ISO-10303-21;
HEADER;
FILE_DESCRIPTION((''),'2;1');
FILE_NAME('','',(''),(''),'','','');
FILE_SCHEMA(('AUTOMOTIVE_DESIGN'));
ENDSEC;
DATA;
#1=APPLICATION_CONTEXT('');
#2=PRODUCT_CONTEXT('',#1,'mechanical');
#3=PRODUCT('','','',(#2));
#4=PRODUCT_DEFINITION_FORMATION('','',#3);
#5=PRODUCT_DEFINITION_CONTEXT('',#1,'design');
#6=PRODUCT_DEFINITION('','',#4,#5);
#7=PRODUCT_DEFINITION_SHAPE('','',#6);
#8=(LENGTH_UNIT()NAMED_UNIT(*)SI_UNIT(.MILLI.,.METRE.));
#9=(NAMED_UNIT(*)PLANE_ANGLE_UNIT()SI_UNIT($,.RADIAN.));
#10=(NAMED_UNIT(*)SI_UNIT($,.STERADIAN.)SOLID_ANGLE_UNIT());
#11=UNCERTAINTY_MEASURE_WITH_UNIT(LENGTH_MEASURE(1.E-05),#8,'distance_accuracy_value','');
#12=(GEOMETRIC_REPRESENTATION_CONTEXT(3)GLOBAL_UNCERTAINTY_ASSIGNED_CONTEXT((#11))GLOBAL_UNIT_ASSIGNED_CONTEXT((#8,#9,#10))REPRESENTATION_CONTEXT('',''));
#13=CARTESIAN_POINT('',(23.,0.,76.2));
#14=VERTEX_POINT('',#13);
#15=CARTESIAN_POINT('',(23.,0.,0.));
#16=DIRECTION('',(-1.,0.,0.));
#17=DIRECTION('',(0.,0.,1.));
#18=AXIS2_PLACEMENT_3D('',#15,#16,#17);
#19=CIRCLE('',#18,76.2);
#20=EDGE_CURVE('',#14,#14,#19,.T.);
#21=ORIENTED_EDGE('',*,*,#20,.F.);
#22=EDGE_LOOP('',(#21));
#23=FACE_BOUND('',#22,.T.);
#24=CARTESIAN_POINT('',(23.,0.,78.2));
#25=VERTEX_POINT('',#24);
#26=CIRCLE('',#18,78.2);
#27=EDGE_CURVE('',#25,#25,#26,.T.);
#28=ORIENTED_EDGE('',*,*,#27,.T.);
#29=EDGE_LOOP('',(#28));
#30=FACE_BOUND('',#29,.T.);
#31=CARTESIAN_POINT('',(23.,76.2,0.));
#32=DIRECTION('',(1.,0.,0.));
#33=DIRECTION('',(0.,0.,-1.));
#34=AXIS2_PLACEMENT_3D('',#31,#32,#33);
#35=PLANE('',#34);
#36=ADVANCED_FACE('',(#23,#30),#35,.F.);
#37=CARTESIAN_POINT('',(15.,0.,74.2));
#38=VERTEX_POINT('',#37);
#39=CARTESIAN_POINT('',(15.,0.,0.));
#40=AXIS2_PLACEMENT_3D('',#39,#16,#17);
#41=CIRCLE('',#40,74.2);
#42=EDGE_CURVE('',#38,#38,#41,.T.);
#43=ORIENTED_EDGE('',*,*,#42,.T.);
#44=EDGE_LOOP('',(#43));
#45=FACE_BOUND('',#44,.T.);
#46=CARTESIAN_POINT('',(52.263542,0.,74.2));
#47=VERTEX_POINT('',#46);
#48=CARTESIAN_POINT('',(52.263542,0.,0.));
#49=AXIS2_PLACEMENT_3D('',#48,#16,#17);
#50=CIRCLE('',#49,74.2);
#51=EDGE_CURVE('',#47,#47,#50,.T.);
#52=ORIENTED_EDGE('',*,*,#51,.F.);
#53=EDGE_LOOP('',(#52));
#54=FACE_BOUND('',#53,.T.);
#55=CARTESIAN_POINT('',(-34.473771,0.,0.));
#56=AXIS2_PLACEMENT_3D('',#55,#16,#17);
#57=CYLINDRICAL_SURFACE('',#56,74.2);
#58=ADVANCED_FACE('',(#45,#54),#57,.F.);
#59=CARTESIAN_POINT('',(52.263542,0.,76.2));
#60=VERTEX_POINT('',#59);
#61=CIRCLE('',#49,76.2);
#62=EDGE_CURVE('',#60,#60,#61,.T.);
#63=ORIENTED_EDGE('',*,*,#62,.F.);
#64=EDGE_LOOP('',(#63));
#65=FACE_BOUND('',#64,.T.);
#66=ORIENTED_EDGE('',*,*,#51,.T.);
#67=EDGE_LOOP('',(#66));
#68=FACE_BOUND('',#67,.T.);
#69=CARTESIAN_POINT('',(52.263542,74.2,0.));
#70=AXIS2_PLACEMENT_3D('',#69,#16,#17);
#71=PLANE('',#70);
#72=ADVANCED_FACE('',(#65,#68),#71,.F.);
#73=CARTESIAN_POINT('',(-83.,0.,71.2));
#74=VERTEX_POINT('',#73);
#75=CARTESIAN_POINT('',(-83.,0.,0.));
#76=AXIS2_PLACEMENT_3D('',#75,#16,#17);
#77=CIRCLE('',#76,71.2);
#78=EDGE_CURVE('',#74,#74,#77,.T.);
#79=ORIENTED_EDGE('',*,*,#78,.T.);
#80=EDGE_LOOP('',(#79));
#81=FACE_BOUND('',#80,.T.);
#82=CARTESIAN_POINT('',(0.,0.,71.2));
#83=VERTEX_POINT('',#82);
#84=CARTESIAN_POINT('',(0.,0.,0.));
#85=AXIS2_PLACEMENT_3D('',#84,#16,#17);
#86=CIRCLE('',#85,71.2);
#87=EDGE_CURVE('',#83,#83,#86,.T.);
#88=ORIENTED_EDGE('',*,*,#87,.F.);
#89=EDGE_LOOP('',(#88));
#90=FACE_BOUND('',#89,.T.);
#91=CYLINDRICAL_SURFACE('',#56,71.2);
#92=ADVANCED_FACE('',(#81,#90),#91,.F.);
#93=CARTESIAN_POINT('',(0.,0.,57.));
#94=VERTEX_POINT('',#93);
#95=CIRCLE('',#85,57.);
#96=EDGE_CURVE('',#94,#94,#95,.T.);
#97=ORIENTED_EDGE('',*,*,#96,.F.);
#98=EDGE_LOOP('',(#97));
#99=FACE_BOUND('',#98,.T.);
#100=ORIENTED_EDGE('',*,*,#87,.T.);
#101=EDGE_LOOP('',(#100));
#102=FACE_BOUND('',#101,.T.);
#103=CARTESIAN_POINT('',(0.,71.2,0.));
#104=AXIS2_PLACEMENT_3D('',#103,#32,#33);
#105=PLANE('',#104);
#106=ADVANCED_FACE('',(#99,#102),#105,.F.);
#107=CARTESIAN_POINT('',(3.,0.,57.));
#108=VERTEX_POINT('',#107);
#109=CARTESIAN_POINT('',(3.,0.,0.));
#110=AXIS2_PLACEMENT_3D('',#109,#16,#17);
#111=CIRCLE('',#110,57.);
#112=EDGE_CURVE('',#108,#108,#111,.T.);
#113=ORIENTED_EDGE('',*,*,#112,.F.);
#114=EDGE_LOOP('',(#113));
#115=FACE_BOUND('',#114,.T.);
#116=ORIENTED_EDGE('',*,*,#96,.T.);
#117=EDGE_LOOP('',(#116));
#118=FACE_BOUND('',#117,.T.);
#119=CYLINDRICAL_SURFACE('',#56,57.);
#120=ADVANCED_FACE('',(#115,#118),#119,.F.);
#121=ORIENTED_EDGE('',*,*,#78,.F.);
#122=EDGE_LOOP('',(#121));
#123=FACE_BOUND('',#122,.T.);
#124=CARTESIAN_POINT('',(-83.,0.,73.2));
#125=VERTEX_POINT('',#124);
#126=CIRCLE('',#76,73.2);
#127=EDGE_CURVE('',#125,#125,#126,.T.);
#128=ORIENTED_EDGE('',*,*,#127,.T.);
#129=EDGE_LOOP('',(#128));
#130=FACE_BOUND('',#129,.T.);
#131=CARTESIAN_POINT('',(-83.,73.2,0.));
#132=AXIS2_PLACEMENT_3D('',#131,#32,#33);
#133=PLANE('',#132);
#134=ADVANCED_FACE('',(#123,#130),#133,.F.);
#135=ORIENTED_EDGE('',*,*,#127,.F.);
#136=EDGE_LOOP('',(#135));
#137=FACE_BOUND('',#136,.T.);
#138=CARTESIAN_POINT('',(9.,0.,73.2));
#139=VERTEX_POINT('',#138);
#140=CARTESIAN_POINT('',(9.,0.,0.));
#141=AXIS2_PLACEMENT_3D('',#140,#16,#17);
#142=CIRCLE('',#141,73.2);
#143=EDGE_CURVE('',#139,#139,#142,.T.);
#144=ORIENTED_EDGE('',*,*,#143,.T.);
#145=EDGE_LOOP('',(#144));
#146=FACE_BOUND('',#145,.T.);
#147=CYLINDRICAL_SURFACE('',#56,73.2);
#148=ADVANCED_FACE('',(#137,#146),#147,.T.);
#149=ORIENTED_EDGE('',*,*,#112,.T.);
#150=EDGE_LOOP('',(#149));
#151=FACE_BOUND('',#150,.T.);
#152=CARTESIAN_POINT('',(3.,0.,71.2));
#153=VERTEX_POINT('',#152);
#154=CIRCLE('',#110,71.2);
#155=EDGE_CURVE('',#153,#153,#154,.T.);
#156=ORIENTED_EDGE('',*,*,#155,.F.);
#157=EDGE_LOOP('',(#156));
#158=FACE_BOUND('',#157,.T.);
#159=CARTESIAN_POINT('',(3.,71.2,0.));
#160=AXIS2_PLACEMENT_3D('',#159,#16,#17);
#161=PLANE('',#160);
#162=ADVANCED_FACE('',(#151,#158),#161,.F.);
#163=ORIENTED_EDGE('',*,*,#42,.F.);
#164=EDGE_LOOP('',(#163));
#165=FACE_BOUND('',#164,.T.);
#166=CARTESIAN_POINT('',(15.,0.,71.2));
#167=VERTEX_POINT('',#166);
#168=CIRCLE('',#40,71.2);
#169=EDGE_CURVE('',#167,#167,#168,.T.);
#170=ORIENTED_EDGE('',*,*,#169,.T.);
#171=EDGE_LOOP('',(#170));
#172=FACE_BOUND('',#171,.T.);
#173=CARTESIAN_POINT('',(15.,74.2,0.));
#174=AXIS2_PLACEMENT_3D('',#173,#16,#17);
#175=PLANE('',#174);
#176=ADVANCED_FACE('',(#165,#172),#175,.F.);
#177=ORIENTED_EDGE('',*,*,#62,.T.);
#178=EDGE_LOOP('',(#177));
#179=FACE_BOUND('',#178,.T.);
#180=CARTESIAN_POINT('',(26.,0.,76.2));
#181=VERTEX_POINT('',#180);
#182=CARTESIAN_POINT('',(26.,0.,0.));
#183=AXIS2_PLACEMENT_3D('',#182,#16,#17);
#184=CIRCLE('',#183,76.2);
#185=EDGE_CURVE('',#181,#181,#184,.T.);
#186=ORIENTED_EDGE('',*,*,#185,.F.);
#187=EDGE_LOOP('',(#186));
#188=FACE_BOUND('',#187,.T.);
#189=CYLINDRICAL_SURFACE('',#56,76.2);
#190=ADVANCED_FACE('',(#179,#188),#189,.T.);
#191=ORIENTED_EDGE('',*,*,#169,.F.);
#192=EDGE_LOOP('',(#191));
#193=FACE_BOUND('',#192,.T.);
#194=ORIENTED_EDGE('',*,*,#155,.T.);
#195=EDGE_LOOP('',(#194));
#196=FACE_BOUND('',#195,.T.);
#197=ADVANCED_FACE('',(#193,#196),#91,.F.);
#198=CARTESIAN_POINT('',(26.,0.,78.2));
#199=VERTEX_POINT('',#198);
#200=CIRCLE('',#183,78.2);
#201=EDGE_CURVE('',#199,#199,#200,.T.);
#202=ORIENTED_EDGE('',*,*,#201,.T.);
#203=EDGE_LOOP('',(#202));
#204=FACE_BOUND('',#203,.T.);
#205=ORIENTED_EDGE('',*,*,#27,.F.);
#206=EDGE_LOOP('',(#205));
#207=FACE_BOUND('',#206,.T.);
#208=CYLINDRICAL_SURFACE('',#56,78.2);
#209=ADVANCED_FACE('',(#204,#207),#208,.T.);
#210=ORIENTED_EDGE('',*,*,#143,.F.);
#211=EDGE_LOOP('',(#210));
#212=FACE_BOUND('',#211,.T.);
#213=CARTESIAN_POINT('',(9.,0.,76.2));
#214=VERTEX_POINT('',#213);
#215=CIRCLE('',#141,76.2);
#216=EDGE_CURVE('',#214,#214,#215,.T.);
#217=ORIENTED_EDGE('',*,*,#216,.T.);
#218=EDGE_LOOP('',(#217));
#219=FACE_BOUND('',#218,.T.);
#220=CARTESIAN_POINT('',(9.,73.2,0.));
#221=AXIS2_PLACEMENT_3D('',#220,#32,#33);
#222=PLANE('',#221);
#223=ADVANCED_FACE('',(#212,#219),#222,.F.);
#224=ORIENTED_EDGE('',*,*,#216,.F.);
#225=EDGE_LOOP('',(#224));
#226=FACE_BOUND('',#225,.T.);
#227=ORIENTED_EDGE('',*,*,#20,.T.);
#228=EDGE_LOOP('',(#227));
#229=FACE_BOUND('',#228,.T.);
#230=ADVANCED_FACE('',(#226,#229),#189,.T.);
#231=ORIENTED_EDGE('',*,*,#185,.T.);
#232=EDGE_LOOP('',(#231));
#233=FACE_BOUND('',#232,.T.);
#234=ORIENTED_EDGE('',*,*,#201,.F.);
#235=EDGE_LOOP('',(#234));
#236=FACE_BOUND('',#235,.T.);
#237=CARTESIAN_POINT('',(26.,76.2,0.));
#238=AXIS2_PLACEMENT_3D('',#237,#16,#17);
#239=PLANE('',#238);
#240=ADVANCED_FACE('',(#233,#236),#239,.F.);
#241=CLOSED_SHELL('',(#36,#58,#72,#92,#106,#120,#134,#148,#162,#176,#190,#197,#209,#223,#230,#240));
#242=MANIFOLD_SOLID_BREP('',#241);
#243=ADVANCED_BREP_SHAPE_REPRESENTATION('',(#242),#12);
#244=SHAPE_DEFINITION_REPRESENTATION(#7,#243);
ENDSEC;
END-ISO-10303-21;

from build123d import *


with BuildPart() as part:
    # Sketch1 → Revolve1 (revolve)
    with BuildSketch(Plane.XY, mode=Mode.PRIVATE) as revolve1_sk:
        Polygon((3, 71.2), (15, 71.2), (15, 74.2), (52.263541851, 74.2), (52.263541851, 76.2), (26, 76.2), (26, 78.2), (23, 78.2), (23, 76.2), (9, 76.2), (9, 73.2), (-83, 73.2), (-83, 71.2), (0, 71.2), (0, 57), (3, 57), align=None)
    revolve(revolve1_sk.sketch.rotate(Axis((-34.473771286, 0, 0), (1, 0, 0)), 90), axis=Axis((-34.473771286, 0, 0), (1, 0, 0)))


solid = part.part
